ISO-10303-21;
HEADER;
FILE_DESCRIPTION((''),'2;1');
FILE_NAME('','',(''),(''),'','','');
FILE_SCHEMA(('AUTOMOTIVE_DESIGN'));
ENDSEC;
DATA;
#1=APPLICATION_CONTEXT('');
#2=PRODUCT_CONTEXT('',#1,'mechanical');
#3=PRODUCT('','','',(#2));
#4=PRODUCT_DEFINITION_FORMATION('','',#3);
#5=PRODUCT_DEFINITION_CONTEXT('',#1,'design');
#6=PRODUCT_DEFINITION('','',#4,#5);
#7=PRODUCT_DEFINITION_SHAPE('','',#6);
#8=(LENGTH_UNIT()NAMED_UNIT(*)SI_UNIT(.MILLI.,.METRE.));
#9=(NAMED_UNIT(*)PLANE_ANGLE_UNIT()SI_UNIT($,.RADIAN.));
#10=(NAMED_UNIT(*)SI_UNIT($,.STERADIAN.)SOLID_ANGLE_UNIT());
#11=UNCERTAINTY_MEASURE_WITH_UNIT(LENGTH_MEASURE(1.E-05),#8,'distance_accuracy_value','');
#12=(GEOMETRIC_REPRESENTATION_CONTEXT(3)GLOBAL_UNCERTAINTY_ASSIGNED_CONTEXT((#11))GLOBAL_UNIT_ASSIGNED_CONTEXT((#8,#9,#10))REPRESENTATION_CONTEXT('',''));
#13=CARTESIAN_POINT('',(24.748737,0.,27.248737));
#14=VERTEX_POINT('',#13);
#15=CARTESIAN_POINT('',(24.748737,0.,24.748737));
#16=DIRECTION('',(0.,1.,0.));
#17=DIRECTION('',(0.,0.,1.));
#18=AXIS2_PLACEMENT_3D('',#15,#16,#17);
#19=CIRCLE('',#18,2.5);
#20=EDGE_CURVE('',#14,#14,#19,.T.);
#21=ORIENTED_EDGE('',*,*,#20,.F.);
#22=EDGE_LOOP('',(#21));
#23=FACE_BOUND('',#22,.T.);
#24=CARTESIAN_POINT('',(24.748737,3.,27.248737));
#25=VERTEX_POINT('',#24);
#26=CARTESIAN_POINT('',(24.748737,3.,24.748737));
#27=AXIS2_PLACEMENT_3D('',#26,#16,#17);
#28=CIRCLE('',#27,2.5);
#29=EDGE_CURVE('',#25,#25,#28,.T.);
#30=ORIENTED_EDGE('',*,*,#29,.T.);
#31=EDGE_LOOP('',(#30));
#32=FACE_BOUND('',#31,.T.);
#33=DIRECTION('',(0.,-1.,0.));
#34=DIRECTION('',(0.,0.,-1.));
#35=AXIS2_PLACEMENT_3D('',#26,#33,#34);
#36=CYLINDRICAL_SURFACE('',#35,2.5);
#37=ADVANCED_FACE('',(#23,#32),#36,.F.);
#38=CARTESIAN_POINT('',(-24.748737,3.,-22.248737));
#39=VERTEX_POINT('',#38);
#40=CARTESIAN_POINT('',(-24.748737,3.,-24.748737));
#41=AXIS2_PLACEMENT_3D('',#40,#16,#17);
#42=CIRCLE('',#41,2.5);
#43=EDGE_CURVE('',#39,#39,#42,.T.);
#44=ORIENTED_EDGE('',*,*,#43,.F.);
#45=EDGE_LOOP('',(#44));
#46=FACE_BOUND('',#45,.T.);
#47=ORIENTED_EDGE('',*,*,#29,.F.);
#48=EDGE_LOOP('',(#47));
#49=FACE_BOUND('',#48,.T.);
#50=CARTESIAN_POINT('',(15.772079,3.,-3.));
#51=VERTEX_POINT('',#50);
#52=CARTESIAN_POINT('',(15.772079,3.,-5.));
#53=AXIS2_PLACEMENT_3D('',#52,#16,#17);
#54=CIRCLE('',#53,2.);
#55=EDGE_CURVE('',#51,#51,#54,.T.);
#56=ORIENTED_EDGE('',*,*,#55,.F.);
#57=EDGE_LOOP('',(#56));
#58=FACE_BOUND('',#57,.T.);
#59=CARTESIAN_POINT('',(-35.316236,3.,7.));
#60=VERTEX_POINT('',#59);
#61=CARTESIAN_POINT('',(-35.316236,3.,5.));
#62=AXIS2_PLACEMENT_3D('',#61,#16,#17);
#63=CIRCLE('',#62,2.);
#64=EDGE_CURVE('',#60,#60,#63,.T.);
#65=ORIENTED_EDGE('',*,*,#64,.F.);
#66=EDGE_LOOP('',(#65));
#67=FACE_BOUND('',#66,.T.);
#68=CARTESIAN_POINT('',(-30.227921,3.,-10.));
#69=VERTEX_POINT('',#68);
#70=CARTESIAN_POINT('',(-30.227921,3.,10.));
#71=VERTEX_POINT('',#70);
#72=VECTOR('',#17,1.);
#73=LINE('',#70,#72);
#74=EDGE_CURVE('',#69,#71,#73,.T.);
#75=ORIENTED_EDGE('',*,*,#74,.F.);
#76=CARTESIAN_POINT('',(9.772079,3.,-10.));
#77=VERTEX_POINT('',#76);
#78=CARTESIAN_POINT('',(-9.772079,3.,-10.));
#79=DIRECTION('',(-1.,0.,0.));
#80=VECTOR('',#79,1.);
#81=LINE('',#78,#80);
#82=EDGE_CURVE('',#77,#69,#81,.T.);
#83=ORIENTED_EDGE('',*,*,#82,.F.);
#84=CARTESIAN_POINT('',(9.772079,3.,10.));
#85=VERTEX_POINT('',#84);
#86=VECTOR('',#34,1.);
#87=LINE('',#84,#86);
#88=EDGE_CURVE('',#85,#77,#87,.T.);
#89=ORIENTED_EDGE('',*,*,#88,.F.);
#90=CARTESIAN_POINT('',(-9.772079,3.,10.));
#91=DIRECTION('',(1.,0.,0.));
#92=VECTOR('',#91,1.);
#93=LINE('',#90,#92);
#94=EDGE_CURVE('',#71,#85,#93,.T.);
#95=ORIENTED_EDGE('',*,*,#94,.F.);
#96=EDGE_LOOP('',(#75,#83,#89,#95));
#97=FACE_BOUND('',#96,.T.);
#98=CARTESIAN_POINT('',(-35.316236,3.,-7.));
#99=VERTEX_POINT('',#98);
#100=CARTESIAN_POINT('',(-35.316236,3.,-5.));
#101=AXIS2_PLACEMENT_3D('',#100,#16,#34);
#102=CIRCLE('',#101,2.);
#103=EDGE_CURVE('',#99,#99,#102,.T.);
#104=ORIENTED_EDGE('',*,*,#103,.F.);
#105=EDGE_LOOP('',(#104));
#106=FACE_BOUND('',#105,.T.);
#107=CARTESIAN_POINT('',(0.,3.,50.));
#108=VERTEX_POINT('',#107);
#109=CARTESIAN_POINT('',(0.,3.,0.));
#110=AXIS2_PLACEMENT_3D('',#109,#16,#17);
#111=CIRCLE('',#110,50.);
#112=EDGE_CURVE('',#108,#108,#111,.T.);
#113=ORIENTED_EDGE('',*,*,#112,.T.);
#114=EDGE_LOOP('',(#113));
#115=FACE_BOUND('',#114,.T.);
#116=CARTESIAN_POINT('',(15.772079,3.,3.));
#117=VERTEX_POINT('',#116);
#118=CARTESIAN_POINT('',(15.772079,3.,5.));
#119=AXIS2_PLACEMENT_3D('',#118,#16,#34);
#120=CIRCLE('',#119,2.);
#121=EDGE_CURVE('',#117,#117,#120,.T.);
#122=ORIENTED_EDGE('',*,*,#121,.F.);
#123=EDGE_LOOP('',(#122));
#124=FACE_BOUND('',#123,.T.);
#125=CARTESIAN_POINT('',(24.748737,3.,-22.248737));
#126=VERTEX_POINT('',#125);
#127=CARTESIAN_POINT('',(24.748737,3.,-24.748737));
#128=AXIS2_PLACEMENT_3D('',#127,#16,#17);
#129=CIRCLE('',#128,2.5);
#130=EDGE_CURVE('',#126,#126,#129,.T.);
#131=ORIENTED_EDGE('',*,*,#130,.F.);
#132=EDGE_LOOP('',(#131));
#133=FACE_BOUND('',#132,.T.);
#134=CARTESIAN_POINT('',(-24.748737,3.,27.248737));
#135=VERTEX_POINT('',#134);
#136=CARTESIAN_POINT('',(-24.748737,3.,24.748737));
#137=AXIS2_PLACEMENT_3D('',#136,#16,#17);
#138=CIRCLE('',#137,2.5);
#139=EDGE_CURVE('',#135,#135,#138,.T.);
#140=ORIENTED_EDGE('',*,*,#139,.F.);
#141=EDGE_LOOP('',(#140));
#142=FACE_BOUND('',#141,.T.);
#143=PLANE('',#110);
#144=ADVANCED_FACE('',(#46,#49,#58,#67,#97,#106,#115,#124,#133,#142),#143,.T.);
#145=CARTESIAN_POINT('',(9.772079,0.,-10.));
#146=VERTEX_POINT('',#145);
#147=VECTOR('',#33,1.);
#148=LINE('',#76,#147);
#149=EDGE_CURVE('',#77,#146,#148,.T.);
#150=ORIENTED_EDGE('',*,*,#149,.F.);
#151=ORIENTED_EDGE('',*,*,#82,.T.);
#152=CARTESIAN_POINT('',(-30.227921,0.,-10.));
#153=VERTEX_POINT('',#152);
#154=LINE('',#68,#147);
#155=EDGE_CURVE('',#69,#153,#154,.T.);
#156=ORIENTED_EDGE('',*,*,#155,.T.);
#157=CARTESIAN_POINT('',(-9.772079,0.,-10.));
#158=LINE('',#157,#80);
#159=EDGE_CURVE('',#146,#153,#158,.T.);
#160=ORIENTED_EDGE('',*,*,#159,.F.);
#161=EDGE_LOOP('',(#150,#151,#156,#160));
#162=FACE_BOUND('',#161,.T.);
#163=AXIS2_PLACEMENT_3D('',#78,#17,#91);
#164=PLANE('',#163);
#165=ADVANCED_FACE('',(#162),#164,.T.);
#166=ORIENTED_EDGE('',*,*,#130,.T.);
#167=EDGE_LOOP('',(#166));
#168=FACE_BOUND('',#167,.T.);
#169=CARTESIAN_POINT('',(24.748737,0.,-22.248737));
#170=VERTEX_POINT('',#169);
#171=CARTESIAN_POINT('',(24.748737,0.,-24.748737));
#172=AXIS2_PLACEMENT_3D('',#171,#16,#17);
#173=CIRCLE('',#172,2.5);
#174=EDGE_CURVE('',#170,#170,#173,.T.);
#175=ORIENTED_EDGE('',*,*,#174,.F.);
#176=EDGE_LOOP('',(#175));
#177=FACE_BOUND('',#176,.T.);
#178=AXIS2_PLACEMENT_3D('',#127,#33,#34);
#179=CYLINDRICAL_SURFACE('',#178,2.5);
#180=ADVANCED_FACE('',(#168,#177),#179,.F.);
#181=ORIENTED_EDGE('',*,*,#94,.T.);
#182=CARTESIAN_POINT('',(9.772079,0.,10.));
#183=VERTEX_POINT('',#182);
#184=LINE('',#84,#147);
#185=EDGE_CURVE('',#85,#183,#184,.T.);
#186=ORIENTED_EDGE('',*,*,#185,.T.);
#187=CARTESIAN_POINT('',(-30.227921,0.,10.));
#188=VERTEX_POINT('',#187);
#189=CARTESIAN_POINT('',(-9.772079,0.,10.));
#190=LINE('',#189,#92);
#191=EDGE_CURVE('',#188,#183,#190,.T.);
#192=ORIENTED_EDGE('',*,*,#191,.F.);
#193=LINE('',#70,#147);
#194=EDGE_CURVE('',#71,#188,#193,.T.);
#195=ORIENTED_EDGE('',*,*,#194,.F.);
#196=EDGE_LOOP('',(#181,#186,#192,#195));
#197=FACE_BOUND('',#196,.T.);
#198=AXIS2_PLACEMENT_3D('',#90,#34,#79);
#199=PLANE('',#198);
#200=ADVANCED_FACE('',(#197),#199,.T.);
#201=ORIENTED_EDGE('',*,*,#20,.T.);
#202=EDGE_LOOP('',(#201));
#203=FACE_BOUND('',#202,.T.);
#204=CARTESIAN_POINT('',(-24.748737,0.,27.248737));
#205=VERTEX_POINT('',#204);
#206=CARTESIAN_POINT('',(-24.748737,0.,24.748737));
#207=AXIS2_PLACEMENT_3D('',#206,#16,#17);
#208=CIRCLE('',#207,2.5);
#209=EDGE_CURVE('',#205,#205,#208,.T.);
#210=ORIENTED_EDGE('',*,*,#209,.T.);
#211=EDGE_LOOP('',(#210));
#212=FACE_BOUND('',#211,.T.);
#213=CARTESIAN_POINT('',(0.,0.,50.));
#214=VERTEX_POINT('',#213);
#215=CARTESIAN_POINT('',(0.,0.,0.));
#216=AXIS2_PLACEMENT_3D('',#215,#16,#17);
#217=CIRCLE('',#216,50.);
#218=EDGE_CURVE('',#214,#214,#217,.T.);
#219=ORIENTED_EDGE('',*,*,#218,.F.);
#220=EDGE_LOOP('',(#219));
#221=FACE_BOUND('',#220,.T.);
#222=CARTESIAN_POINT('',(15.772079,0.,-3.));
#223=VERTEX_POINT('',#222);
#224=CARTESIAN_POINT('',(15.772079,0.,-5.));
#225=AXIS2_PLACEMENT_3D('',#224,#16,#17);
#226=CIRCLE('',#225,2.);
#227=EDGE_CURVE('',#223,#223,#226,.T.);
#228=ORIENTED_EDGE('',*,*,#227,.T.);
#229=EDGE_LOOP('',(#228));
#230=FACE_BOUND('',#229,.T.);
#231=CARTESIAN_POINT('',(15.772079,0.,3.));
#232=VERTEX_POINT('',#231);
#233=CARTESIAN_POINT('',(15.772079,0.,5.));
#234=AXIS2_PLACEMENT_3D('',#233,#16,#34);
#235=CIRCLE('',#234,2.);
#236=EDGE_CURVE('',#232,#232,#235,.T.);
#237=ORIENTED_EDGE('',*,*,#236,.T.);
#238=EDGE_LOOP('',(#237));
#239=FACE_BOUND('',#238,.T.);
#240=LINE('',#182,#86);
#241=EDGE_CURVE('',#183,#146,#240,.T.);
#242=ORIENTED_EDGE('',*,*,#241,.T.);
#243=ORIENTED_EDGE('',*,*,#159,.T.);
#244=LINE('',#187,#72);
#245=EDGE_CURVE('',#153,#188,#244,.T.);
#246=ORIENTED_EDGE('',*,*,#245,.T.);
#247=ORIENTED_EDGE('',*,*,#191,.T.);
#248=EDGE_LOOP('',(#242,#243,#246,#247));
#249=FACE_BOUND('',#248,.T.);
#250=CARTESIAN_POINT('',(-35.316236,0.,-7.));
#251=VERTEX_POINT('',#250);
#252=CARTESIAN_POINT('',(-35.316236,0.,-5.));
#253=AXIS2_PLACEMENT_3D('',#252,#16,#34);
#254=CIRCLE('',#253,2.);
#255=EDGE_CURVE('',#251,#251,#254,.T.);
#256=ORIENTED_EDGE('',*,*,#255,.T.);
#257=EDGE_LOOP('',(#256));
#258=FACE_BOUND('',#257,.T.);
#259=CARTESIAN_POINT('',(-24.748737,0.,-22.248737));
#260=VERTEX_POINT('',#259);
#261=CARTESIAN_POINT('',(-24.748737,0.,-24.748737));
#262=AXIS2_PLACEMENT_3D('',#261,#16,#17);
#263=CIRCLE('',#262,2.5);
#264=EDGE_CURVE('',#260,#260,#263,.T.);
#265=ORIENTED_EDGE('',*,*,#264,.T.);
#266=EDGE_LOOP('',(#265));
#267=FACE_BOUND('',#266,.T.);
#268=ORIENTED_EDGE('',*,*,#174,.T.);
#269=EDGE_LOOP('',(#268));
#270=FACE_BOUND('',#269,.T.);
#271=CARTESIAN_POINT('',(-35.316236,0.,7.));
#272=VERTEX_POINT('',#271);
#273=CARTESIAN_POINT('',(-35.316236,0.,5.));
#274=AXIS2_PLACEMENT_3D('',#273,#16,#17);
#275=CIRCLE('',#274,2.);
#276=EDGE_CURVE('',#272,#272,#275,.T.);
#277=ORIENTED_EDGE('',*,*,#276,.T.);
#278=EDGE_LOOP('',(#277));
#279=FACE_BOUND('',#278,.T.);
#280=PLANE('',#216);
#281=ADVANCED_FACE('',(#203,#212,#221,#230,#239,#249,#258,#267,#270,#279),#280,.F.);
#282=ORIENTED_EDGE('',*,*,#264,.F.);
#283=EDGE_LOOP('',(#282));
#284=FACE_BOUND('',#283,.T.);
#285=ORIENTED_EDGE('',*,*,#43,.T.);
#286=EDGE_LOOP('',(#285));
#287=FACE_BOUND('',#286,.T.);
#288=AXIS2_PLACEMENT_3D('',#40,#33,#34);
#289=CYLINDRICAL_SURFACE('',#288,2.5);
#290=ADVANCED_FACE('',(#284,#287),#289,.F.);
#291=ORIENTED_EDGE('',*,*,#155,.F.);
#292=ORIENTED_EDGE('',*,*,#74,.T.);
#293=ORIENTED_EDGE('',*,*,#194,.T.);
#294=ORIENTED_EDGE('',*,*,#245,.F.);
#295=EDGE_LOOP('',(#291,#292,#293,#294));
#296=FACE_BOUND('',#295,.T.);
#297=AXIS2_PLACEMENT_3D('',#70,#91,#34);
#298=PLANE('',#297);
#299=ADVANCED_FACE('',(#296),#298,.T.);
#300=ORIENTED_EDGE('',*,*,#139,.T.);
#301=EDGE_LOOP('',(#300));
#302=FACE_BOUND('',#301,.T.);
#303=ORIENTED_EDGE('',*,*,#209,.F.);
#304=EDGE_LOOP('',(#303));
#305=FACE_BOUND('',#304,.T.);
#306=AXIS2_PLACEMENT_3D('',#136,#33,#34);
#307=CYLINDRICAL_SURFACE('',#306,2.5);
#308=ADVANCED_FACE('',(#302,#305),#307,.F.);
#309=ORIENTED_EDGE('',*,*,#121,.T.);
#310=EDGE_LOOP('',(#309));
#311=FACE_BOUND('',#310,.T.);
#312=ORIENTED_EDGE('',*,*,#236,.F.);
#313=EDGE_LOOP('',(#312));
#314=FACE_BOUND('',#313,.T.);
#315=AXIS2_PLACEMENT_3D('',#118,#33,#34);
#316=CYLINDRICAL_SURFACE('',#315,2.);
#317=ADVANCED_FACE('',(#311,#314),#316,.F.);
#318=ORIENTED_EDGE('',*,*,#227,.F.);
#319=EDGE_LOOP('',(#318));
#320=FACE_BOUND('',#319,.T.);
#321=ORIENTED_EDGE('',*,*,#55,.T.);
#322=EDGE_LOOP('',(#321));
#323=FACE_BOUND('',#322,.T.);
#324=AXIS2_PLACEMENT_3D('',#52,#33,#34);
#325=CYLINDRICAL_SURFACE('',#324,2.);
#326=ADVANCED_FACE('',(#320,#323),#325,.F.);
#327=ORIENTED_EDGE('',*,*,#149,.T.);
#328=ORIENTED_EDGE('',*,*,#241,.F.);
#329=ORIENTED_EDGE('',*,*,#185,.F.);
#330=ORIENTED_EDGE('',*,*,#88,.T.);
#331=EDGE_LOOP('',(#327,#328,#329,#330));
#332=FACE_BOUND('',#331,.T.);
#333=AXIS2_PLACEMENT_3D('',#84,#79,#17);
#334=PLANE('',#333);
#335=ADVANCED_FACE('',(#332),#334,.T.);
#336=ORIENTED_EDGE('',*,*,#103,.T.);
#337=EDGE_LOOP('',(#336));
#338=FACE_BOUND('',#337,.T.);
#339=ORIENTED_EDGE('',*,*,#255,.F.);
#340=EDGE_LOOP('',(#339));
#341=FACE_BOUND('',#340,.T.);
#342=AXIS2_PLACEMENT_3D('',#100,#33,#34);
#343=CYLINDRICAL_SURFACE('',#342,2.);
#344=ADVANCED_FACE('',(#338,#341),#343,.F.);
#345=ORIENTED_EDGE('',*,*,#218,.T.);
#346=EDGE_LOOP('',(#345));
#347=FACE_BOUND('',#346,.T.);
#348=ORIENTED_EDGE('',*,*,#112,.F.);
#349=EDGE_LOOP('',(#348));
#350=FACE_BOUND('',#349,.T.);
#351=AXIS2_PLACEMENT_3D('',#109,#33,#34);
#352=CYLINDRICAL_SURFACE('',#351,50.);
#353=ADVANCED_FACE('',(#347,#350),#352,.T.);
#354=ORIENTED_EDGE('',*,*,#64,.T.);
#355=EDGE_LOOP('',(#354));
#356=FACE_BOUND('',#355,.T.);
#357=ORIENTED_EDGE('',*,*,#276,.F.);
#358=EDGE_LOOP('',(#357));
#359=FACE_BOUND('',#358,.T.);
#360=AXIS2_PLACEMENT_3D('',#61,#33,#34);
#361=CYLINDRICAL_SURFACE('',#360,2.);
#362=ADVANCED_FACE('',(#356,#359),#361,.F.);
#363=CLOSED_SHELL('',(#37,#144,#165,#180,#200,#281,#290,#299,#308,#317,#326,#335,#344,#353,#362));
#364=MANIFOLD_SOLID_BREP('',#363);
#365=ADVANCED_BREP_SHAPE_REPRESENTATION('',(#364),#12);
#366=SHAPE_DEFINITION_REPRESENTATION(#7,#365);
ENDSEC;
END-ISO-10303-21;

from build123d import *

# Parameters (mm, degrees)
SKETCH2_R           = 50
SKETCH2_R_2         = 2.5
SKETCH2_R_3         = 2
BOSS_EXTRUDE1_DEPTH = 3


with BuildPart() as part:
    # Sketch2 → Boss-Extrude1 (new body)
    with BuildSketch(Plane(origin=(0, 0, 0), x_dir=(1, 0, 0), z_dir=(0, 1, 0))):
        with Locations(Location((0, 0, 0), (0, 0, 270))):
            Circle(SKETCH2_R)
        with Locations(Location((-24.748737342, 24.748737342, 0), (0, 0, 270))):
            Circle(SKETCH2_R_2, mode=Mode.SUBTRACT)
        with Locations(Location((24.748737342, 24.748737342, 0), (0, 0, 270))):
            Circle(SKETCH2_R_2, mode=Mode.SUBTRACT)
        with Locations(Location((24.748737342, -24.748737342, 0), (0, 0, 270))):
            Circle(SKETCH2_R_2, mode=Mode.SUBTRACT)
        with Locations(Location((-24.748737342, -24.748737342, 0), (0, 0, 270))):
            Circle(SKETCH2_R_2, mode=Mode.SUBTRACT)
        with Locations(Location((15.772078615, 5, 0), (0, 0, 270))):
            Circle(SKETCH2_R_3, mode=Mode.SUBTRACT)
        with Locations(Location((15.772078615, -5, 0), (0, 0, 90))):
            Circle(SKETCH2_R_3, mode=Mode.SUBTRACT)
        with Locations(Location((-35.316235845, -5, 0), (0, 0, 270))):
            Circle(SKETCH2_R_3, mode=Mode.SUBTRACT)
        with Locations(Location((-35.316235845, 5, 0), (0, 0, 90))):
            Circle(SKETCH2_R_3, mode=Mode.SUBTRACT)
        Polygon((-9.772078615, -10), (9.772078615, -10), (9.772078615, 10), (-9.772078615, 10), (-30.227921385, 10), (-30.227921385, -10), align=None, mode=Mode.SUBTRACT)
    extrude(amount=BOSS_EXTRUDE1_DEPTH)


solid = part.part
